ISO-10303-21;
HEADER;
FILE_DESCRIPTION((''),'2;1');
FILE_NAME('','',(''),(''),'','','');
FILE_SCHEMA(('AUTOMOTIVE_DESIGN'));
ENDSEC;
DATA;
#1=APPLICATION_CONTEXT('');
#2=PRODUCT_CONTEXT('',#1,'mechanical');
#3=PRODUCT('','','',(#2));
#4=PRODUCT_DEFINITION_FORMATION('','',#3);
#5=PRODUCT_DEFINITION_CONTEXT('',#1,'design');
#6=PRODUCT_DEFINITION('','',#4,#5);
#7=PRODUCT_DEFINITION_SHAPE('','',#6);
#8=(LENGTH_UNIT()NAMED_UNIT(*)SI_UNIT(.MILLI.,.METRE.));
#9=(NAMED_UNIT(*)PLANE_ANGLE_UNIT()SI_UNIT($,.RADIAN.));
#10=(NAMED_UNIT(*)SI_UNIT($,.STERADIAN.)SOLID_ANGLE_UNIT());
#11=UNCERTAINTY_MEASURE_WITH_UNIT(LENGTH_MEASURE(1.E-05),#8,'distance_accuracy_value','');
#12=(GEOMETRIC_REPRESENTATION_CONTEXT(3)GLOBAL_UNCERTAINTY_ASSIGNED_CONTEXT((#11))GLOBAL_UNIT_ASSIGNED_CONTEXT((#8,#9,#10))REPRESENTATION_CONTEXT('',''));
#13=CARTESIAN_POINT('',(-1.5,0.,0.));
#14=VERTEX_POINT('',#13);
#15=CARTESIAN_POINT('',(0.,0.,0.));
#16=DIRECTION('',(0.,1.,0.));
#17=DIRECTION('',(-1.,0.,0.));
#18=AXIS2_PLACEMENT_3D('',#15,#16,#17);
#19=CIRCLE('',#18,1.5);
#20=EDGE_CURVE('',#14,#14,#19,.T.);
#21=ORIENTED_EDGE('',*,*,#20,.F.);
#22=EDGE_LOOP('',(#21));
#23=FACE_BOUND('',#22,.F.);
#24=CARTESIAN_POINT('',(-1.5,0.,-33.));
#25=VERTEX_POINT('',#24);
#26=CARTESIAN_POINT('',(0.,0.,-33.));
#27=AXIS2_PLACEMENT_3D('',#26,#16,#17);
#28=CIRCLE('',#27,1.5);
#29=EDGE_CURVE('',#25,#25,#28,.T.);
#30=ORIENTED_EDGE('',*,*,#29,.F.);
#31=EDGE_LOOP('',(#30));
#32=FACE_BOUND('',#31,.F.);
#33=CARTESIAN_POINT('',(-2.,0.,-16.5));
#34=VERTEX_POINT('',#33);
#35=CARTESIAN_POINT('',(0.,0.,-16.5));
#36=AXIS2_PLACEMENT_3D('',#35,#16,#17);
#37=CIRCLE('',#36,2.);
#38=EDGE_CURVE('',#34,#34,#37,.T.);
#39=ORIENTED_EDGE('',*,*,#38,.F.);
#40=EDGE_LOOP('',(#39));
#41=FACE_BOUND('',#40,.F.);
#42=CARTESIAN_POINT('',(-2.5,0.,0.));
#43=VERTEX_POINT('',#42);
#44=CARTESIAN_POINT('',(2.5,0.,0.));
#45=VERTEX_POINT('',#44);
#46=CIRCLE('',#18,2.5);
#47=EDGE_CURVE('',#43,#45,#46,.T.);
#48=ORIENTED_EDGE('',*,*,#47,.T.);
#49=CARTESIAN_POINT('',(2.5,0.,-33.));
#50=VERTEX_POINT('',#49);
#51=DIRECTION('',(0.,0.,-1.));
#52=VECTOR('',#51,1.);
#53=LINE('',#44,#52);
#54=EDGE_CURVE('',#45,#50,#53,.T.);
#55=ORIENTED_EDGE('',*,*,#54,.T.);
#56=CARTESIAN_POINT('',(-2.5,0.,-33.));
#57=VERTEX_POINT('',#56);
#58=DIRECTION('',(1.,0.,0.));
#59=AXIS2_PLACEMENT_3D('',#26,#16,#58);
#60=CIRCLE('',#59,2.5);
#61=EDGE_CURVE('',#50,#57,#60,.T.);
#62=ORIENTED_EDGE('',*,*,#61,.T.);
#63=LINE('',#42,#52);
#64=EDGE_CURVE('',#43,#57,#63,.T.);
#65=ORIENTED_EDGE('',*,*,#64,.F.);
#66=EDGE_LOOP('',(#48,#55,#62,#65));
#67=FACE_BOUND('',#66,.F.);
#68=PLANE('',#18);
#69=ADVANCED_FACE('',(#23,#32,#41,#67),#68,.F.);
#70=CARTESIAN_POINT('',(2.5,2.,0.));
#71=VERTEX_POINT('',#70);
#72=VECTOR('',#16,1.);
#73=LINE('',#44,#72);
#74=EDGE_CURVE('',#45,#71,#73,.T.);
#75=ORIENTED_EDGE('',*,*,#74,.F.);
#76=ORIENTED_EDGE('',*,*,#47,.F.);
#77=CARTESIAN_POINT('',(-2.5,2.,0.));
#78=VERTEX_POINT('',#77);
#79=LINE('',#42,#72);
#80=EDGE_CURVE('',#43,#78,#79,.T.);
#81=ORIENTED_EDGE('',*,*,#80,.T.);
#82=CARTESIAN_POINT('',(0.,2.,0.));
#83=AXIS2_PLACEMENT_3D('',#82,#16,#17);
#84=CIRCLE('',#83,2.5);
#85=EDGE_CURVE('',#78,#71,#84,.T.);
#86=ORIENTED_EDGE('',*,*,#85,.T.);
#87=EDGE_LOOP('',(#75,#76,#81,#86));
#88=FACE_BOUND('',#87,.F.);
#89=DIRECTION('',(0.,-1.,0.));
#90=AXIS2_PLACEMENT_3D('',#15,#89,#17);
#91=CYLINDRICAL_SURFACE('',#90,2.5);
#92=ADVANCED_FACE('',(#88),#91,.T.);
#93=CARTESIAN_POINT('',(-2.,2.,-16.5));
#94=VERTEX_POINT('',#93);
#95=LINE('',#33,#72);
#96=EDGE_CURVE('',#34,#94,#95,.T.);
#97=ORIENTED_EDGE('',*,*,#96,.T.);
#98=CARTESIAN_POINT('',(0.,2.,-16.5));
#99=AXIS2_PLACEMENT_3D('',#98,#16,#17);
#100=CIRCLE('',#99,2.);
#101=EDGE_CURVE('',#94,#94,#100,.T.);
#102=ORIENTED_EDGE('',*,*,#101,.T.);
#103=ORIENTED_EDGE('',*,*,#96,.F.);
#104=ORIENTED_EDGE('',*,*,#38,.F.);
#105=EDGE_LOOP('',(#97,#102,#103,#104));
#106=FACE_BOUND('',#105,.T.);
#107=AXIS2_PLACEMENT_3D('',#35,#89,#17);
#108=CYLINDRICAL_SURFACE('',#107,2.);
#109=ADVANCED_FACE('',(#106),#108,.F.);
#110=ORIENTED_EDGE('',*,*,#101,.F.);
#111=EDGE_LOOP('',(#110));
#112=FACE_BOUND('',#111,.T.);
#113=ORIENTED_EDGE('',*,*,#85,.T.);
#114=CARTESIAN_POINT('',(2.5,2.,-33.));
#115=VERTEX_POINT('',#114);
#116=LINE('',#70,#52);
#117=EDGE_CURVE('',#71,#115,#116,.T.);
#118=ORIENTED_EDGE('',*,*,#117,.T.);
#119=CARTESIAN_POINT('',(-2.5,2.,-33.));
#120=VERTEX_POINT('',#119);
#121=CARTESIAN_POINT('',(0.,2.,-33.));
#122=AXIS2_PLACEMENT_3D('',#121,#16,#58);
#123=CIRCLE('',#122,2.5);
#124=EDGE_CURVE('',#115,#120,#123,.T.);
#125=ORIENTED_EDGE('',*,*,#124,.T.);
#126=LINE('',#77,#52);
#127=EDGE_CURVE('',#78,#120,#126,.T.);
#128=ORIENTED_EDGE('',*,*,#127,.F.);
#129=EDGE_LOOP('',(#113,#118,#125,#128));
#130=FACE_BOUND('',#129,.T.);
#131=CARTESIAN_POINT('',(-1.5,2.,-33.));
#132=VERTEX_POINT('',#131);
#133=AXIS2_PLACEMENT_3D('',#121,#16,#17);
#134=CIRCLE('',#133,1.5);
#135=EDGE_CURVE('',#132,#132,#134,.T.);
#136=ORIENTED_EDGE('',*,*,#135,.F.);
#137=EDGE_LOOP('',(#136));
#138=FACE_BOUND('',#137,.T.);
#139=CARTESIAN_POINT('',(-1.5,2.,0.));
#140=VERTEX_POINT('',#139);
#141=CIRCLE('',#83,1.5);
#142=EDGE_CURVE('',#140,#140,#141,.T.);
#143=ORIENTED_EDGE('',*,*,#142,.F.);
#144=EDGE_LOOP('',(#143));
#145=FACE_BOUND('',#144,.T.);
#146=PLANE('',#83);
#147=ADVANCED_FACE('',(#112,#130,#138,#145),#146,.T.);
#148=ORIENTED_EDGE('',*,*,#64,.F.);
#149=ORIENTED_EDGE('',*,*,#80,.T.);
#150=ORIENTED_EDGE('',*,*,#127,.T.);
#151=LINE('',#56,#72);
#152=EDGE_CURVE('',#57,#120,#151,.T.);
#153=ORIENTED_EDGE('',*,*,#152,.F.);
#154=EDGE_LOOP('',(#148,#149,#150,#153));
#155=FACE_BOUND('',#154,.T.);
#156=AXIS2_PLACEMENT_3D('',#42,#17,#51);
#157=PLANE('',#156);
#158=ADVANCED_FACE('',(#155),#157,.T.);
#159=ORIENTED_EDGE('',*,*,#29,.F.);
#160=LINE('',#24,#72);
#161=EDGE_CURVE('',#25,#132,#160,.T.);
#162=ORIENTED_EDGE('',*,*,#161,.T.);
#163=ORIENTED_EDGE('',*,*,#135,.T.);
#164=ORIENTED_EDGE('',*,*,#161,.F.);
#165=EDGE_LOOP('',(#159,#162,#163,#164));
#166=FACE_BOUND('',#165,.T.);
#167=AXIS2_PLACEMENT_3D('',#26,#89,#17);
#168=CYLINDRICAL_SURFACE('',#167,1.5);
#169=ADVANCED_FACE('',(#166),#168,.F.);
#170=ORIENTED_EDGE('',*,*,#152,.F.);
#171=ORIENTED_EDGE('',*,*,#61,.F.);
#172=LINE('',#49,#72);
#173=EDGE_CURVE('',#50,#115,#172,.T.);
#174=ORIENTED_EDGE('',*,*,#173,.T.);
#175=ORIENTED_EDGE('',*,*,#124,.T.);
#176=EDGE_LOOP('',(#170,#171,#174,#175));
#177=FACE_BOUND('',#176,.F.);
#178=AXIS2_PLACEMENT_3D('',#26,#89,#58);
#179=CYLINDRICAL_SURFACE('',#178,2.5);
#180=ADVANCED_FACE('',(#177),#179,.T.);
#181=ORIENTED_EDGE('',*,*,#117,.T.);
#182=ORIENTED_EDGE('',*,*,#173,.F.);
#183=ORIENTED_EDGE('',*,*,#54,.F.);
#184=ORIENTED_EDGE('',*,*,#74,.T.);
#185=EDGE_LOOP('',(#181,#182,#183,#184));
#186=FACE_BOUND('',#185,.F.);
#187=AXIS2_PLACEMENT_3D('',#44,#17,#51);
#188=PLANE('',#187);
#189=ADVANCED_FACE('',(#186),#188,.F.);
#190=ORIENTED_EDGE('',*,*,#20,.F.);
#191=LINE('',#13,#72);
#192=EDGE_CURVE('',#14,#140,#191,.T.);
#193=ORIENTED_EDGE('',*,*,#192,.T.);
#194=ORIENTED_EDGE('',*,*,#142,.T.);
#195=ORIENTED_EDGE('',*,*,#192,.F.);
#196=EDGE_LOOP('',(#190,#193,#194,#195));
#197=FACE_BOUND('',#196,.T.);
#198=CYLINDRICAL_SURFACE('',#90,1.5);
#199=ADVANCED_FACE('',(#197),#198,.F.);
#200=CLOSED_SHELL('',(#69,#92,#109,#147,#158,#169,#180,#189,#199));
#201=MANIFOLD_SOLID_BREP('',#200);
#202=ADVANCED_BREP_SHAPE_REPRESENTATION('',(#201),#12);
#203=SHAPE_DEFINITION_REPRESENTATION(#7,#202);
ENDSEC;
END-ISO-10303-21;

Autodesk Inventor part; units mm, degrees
ref_plane "YZ Plane" through (0, 0, 0) normal (1, 0, 0) x (0, 1, 0)
ref_plane "XZ Plane" through (0, 0, 0) normal (0, 1, 0) x (-1, 0, 0)
ref_plane "XY Plane" through (0, 0, 0) normal (0, 0, 1) x (1, 0, 0)
sketch "Sketch1" plane through (0, 0, 0) normal (0, 1, 0) x (-1, 0, 0)
  arc A0 (2.5, 0) -> (-2.5, 0) centre (0, 0) ccw
  line L0 (2.5, 0) -> (2.5, -33)
  line L1 (-2.5, 0) -> (-2.5, -33)
  arc A1 (-2.5, -33) -> (2.5, -33) centre (0, -33) ccw
  circle A2 centre (0, -16.5) radius 2
  circle A3 centre (0, 0) radius 1.5
  circle A4 centre (0, -33) radius 1.5
  dimension "d11" = 5
  dimension "d12" = 33
  dimension "d13" = 33
  dimension "d14" = 5
  dimension "d15" = 4
  dimension "d16" = 3
  dimension "d17" = 3
extrude "Extrusion1" add sketch "Sketch1" along normal blind 2
properties part number "g_servo horn"
